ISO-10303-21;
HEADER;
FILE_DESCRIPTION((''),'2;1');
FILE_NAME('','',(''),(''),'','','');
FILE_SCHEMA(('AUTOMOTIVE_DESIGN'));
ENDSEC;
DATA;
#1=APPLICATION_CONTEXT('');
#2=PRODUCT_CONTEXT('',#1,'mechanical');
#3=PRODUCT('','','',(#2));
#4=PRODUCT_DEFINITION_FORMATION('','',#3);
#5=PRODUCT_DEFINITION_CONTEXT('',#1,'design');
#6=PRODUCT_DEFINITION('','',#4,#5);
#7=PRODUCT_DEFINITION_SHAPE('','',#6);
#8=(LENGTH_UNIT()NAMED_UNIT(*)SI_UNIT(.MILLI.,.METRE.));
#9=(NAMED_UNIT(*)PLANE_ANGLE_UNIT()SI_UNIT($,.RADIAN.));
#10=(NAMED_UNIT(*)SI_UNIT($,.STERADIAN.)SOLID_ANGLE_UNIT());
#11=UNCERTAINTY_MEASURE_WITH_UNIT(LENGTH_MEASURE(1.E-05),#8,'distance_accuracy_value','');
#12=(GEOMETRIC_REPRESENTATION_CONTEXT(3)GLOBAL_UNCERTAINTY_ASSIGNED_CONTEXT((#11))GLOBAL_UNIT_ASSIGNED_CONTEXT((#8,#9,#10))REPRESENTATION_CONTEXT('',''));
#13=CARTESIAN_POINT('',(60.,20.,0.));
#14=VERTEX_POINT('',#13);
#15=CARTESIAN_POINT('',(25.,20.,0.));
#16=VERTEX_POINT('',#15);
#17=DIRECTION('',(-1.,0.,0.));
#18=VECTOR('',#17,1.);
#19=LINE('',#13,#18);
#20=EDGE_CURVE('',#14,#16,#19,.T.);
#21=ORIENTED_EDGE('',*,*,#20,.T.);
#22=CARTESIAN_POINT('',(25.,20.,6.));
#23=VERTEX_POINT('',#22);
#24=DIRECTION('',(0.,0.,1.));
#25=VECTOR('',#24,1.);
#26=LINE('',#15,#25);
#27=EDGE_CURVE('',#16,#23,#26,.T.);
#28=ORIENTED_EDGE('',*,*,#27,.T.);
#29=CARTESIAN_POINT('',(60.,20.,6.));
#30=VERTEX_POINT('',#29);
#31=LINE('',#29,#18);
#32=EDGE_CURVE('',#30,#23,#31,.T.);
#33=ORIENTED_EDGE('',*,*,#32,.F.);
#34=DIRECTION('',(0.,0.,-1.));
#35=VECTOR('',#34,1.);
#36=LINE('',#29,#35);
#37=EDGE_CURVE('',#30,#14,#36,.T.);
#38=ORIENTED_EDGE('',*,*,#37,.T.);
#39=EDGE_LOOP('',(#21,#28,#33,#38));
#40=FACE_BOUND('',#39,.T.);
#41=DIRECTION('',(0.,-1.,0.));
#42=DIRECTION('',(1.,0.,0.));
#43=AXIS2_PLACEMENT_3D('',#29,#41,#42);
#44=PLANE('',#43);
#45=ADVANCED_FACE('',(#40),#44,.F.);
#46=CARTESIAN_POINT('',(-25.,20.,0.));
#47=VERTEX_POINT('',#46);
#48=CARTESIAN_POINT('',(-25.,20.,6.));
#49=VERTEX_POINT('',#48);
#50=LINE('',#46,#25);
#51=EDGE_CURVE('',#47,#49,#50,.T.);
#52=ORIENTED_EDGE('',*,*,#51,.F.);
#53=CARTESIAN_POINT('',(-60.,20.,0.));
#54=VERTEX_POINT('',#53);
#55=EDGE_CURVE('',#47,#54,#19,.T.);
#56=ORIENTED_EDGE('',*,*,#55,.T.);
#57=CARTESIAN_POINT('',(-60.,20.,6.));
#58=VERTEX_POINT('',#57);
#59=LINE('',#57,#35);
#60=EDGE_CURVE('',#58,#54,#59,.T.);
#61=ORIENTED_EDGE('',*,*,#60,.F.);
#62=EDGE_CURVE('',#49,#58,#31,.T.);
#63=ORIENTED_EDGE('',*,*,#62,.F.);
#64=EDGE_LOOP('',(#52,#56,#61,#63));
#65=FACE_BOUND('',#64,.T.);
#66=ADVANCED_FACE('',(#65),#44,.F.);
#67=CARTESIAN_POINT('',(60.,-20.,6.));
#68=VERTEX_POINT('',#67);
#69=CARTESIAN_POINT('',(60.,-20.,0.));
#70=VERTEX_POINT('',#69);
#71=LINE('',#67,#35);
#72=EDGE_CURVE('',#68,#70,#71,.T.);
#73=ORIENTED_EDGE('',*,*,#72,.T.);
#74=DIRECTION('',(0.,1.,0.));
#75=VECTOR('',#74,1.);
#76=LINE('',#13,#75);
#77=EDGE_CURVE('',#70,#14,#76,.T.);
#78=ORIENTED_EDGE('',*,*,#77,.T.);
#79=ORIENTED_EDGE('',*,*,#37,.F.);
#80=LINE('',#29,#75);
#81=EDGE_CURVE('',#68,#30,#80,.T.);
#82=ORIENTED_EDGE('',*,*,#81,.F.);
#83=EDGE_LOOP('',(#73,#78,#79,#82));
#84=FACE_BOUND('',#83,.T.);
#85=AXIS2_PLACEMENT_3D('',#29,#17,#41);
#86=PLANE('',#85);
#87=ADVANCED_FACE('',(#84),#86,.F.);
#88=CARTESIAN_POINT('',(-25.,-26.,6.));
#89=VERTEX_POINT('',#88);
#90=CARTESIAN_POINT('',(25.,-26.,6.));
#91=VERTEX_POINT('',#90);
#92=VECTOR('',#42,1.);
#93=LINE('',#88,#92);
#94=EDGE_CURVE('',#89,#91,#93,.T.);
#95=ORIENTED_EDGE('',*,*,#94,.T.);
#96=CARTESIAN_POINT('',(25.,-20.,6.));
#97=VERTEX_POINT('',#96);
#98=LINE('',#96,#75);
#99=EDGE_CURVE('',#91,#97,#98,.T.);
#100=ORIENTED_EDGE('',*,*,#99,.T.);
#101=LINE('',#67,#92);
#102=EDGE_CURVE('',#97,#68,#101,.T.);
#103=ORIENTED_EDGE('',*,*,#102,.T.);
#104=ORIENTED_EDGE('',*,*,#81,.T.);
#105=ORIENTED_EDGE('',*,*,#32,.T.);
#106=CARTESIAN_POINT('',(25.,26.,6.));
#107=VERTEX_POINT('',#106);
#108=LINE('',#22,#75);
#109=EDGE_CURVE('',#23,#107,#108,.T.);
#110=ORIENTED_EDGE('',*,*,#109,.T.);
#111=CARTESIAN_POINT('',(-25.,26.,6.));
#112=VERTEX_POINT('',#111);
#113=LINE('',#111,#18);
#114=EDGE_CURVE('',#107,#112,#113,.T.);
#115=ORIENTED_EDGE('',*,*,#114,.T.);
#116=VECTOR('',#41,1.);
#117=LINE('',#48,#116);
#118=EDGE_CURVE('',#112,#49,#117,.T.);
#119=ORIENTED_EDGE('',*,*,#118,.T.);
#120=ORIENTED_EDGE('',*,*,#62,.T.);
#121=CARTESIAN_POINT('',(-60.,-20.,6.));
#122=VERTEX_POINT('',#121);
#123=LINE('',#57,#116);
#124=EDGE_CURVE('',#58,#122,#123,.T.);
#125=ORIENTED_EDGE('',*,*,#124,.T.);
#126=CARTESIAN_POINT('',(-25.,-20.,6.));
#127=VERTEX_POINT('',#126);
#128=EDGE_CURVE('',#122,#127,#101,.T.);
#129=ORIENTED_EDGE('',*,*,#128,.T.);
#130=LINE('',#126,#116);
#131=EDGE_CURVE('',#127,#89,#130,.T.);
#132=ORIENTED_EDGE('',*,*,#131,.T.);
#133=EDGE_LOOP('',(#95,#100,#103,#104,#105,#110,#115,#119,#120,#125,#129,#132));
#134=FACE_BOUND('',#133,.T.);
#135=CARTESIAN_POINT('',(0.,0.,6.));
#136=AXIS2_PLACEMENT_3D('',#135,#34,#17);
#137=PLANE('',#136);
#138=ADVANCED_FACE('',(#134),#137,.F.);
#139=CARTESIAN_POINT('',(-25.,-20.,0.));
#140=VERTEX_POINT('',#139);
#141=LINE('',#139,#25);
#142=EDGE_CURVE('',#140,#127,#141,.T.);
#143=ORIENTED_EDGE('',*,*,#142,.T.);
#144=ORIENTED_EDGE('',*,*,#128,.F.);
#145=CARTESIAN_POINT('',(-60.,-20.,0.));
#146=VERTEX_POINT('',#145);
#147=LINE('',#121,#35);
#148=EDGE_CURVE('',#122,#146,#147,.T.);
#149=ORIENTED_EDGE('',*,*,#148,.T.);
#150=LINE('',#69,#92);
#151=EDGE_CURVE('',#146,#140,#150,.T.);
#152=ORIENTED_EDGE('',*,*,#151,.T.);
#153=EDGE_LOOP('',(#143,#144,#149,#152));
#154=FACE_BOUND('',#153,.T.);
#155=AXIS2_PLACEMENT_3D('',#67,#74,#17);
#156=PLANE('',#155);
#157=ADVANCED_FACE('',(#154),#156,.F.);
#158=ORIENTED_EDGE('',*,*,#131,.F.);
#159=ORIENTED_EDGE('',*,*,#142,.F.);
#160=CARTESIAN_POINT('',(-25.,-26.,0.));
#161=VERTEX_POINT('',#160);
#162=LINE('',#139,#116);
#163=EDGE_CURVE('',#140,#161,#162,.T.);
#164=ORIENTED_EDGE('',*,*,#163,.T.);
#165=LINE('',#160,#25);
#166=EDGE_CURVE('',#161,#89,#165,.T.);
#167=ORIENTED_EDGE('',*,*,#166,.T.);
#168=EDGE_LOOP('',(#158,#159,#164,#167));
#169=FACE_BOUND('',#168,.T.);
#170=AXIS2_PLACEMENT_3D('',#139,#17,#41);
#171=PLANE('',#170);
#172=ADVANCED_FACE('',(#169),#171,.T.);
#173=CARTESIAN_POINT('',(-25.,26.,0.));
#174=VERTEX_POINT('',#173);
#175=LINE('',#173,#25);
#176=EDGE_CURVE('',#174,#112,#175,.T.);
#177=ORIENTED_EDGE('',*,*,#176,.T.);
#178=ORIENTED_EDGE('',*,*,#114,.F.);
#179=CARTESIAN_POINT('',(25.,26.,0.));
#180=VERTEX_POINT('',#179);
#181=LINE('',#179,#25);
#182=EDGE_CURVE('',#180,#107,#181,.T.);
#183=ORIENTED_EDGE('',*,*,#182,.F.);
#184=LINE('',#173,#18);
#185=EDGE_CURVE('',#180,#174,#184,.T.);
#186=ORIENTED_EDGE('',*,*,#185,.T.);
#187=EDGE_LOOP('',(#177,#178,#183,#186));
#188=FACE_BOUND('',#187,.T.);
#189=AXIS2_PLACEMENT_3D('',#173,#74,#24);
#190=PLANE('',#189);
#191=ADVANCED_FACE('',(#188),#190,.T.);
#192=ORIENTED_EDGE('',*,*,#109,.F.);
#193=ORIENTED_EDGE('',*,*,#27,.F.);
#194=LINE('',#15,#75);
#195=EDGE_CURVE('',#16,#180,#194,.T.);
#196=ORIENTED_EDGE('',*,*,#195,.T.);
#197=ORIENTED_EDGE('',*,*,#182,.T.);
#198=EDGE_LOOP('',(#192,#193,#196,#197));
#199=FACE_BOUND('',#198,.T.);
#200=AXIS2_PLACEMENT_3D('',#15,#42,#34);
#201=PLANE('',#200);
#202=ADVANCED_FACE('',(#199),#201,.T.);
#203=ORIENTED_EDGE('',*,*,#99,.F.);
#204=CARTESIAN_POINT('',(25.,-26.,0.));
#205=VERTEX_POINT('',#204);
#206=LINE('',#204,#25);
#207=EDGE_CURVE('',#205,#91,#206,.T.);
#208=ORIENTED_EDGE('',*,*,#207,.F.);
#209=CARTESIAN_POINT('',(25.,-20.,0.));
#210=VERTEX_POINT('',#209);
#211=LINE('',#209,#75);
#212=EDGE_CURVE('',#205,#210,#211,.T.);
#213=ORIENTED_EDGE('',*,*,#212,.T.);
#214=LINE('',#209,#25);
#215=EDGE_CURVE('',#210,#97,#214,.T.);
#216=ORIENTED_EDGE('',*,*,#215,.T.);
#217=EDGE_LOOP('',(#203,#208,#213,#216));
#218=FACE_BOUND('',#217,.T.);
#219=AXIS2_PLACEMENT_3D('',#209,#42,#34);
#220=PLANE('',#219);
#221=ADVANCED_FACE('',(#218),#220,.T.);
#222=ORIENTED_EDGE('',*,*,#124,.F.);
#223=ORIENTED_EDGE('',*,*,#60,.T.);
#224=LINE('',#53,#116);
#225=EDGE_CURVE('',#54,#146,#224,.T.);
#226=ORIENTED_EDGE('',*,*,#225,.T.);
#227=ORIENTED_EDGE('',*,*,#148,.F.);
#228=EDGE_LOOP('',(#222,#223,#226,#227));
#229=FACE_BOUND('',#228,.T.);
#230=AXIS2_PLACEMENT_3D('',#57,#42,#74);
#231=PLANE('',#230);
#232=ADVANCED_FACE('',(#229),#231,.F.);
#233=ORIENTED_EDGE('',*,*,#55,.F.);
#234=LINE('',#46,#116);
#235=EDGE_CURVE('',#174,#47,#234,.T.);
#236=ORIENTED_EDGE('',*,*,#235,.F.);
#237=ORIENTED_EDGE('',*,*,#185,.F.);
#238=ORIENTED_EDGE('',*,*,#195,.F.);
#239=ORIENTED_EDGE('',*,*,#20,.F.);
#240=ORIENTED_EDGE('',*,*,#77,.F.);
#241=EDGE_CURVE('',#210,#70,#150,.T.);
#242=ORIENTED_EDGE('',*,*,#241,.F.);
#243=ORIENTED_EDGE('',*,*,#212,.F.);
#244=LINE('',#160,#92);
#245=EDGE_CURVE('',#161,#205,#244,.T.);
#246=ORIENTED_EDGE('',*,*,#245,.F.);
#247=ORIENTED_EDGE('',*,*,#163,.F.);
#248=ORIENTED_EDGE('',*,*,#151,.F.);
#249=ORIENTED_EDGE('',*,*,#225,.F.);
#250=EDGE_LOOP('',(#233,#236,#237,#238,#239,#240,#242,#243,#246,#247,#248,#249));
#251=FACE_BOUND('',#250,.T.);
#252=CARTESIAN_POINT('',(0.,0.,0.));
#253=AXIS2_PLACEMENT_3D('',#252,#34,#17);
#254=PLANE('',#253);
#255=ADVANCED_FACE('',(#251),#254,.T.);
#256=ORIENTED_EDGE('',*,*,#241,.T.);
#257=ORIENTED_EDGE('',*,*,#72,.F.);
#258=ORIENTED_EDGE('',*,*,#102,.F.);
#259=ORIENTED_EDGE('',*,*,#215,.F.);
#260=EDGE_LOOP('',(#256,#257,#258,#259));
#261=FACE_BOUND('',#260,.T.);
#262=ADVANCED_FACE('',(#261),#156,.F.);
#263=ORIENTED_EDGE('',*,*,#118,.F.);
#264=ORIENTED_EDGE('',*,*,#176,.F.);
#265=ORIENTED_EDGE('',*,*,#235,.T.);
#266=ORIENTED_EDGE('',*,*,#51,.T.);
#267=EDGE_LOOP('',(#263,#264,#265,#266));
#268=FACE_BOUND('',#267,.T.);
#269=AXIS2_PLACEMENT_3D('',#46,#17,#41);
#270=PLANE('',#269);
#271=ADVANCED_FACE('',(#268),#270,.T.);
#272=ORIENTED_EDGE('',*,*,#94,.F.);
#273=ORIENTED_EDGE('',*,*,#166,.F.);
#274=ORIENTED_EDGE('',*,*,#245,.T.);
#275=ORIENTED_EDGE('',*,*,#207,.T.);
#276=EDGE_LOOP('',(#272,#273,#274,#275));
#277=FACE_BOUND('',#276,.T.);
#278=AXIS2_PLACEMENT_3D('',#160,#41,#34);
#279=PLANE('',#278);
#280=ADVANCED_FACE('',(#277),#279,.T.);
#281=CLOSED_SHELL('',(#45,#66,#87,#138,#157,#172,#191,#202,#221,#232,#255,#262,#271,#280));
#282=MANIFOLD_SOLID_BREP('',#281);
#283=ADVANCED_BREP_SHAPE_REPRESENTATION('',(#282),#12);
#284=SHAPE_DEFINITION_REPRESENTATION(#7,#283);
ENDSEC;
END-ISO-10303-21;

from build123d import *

# Parameters (mm, degrees)
ESQUISSE1_W        = 120
ESQUISSE1_H        = 40
BOSS_EXTRU_1_DEPTH = 6
ESQUISSE2_W        = 50
ESQUISSE2_H        = 6
BOSS_EXTRU_2_DEPTH = 6


with BuildPart() as part:
    # Esquisse1 → Boss.-Extru.1 (new body)
    with BuildSketch(Plane.XY):
        Rectangle(ESQUISSE1_W, ESQUISSE1_H)
    extrude(amount=BOSS_EXTRU_1_DEPTH)

    # Esquisse2 → Boss.-Extru.2 (add)
    with BuildSketch(Plane.XY.offset(6)):
        with Locations((0, 23)):
            Rectangle(ESQUISSE2_W, ESQUISSE2_H)
        with Locations((0, -23)):
            Rectangle(ESQUISSE2_W, ESQUISSE2_H)
    extrude(amount=-BOSS_EXTRU_2_DEPTH)


solid = part.part
